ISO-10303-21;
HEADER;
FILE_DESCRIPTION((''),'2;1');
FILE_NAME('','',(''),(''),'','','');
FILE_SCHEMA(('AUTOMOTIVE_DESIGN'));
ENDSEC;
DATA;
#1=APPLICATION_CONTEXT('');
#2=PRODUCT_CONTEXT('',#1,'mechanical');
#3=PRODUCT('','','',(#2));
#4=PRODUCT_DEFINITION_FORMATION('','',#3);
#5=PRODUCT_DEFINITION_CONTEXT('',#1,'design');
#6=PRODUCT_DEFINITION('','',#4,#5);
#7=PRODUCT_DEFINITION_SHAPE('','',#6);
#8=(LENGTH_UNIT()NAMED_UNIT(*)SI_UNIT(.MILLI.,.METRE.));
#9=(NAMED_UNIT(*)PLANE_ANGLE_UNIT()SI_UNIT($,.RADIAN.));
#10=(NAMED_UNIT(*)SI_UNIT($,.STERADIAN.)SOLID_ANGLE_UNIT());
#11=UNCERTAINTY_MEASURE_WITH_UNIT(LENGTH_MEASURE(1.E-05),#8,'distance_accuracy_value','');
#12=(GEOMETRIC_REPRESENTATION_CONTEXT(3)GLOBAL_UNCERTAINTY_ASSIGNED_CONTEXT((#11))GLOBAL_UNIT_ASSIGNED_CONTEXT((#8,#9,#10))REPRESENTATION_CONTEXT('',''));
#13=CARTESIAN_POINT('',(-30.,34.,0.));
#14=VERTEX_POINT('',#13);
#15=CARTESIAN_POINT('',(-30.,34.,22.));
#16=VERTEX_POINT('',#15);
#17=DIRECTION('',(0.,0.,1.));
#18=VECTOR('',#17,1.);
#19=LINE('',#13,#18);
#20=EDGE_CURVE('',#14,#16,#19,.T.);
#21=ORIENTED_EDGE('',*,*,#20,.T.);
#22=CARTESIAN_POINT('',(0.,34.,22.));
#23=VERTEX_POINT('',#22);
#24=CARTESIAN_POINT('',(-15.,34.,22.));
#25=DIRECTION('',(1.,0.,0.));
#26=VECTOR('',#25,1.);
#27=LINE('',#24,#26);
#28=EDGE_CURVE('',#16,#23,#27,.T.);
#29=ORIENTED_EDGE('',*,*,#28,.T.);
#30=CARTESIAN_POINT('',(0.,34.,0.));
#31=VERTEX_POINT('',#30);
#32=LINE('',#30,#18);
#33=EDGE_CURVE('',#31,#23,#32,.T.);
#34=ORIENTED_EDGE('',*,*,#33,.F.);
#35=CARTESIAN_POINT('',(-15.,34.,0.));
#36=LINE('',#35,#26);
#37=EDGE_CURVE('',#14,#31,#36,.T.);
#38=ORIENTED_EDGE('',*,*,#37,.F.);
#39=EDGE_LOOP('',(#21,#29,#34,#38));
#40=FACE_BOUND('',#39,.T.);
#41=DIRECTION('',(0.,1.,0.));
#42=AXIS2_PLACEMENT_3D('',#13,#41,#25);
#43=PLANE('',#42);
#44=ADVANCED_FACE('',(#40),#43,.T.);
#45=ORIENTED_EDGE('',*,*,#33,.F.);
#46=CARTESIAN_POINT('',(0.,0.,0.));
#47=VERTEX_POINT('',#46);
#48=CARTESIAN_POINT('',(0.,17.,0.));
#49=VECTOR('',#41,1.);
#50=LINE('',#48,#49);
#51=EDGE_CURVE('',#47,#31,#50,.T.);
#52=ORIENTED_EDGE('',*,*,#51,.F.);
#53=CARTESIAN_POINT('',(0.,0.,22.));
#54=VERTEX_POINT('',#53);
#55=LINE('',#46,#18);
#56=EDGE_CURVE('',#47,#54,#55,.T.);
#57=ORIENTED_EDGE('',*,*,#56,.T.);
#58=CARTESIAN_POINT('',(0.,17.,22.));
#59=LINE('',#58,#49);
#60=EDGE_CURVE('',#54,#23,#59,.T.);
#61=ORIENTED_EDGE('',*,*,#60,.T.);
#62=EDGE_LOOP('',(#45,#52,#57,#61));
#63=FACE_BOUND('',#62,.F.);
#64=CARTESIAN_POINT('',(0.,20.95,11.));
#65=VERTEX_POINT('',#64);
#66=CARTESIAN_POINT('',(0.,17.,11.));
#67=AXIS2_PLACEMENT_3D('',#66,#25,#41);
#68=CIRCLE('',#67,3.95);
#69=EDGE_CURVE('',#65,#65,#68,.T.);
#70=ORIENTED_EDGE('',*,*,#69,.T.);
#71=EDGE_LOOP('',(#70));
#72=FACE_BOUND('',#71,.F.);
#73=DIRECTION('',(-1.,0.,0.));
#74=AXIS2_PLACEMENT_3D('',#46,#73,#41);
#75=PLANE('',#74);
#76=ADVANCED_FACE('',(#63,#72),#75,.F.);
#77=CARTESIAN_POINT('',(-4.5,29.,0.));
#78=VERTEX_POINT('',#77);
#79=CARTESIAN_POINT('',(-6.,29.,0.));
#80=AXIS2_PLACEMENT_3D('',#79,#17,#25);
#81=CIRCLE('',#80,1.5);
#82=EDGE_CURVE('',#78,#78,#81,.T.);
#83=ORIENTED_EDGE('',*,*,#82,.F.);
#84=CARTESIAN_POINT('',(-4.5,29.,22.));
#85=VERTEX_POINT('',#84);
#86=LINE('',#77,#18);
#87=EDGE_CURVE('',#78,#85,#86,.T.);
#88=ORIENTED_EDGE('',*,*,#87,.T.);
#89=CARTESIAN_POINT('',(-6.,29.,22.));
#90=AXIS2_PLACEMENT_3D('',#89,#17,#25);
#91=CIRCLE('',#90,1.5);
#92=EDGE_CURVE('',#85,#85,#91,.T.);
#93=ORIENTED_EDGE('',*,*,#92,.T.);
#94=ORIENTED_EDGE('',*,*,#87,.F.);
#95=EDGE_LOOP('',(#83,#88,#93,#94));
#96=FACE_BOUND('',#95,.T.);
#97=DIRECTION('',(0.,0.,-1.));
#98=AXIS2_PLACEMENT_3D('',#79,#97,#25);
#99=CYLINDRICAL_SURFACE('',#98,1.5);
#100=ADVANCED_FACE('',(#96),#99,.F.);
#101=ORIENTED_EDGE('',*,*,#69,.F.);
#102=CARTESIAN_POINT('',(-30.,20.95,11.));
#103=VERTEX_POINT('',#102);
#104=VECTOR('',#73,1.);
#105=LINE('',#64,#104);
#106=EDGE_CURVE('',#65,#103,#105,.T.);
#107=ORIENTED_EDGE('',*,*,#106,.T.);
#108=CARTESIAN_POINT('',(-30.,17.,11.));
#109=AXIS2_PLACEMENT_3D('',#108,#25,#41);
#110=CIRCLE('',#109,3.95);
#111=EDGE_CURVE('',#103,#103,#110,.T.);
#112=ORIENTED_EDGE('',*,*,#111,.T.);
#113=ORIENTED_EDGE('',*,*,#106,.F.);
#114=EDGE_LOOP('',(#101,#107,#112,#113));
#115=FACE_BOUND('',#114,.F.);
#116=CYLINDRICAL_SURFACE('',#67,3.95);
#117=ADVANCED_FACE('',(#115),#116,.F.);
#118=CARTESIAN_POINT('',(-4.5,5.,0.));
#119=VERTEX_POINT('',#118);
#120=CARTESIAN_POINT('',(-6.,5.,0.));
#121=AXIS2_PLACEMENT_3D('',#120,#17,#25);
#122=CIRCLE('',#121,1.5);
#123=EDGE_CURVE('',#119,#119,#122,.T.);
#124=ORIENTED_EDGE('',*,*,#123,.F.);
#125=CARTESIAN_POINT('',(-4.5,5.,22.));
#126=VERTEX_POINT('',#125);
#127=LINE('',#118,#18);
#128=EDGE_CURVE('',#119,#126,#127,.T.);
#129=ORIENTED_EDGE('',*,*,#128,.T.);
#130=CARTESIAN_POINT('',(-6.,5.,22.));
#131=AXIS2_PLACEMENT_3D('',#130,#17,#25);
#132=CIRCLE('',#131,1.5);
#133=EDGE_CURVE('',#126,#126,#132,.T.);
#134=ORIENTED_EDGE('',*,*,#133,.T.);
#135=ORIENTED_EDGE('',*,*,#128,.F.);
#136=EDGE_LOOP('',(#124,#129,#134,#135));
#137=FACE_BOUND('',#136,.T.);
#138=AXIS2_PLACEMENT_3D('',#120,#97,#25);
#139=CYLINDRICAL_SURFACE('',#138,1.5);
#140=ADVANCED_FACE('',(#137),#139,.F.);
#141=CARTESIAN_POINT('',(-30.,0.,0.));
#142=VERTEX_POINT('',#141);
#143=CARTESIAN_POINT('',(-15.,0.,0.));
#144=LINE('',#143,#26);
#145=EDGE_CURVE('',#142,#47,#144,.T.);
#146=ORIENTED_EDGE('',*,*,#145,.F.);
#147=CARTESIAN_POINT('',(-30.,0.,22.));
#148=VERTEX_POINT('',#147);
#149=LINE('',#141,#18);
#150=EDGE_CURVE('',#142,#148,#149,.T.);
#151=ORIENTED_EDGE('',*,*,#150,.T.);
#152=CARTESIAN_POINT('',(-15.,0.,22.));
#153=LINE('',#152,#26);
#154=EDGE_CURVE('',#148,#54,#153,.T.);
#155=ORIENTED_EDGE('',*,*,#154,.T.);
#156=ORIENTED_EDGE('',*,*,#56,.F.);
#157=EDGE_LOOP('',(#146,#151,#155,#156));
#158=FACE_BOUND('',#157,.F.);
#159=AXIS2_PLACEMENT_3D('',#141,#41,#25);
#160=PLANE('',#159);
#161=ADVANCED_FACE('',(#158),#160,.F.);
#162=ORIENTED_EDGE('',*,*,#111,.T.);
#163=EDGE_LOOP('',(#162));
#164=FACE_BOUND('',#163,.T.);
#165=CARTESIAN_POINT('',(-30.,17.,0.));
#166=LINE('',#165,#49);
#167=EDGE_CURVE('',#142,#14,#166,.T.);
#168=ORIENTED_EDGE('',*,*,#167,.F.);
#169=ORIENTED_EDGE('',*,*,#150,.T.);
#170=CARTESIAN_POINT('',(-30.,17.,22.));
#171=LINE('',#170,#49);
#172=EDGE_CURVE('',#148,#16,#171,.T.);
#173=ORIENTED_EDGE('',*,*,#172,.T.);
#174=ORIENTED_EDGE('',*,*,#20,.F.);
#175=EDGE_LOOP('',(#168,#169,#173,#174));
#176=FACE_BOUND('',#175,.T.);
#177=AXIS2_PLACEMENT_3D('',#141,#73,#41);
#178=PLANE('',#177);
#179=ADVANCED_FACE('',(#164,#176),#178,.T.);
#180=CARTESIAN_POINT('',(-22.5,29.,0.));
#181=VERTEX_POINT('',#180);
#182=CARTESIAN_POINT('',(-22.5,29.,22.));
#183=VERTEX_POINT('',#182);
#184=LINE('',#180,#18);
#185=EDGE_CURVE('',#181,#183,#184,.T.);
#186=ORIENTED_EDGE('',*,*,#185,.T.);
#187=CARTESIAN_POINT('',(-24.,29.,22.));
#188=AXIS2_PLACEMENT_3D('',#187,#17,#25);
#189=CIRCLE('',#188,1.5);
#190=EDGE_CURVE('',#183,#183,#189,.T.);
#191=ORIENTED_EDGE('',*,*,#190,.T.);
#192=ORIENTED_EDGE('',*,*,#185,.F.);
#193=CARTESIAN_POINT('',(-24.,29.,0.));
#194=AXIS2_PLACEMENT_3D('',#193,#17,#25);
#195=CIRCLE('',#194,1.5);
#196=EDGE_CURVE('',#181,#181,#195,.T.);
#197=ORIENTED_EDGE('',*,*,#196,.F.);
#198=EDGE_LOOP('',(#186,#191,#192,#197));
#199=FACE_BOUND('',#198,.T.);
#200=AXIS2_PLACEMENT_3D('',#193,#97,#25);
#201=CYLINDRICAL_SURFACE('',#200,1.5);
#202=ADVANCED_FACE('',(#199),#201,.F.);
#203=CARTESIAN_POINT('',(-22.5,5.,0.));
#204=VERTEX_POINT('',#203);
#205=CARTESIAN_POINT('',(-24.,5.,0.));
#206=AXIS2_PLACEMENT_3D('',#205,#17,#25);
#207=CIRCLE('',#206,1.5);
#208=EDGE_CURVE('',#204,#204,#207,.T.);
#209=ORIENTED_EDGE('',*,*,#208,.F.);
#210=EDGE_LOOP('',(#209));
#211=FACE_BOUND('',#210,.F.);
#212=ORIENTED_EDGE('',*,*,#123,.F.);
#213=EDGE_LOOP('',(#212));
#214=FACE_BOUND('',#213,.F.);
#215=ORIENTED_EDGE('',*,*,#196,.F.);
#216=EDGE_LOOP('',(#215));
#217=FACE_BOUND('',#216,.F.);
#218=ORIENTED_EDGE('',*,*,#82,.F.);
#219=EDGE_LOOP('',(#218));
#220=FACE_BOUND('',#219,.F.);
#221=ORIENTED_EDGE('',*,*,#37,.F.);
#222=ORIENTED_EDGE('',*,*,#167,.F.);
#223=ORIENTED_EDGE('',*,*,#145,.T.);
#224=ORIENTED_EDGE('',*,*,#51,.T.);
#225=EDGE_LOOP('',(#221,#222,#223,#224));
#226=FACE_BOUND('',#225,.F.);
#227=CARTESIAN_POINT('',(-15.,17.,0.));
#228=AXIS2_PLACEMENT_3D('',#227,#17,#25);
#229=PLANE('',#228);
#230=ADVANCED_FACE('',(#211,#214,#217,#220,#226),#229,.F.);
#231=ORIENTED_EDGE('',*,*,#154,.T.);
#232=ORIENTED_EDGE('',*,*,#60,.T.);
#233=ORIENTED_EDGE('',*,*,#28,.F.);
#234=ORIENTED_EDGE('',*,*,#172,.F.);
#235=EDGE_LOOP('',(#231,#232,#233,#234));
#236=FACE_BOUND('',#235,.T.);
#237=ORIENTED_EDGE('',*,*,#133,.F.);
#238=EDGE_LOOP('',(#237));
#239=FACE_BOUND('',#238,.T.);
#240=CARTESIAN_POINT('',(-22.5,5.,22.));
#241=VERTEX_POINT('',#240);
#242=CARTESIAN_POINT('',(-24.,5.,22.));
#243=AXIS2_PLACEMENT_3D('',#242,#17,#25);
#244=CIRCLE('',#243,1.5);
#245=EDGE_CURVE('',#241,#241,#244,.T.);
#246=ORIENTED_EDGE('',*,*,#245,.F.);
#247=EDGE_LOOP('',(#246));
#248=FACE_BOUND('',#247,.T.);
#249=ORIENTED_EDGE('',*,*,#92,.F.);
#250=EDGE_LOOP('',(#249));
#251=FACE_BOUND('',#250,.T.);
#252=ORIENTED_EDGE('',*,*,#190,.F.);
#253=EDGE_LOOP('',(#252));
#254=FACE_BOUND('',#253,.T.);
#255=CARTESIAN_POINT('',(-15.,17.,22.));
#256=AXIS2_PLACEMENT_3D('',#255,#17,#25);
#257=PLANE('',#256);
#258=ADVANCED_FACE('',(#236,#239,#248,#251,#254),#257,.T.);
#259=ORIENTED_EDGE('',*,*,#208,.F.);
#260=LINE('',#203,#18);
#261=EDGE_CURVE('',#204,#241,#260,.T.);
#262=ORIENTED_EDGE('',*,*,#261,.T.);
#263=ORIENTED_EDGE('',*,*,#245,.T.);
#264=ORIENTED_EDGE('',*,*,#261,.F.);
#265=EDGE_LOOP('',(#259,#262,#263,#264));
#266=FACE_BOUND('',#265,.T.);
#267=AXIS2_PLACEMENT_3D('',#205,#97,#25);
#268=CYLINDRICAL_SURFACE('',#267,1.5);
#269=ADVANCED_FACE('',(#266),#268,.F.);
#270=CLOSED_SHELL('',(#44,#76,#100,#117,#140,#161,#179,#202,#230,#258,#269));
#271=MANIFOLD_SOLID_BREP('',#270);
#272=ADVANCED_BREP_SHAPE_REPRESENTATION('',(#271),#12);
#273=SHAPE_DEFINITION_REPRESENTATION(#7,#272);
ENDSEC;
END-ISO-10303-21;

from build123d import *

# Parameters (mm, degrees)
F0_W     = 30
F0_H     = 34
F0_R     = 1.5
F1_DEPTH = 22
F2_R     = 3.95
F3_DEPTH = 32.7


with BuildPart() as f1:
    # F0 (on Top) → F1 (new body)
    with BuildSketch(Plane.XY):
        with Locations((-15, 17)):
            Rectangle(F0_W, F0_H)
        with Locations((-24, 5)):
            Circle(F0_R, mode=Mode.SUBTRACT)
        with Locations((-6, 5)):
            Circle(F0_R, mode=Mode.SUBTRACT)
        with Locations((-24, 29)):
            Circle(F0_R, mode=Mode.SUBTRACT)
        with Locations((-6, 29)):
            Circle(F0_R, mode=Mode.SUBTRACT)
    extrude(amount=F1_DEPTH)

    # F2 (on face) → F3 (cut)
    with BuildSketch(Plane.YZ):
        with Locations((17, 11)):
            Circle(F2_R)
    extrude(amount=-F3_DEPTH, mode=Mode.SUBTRACT)


solid = f1.part
